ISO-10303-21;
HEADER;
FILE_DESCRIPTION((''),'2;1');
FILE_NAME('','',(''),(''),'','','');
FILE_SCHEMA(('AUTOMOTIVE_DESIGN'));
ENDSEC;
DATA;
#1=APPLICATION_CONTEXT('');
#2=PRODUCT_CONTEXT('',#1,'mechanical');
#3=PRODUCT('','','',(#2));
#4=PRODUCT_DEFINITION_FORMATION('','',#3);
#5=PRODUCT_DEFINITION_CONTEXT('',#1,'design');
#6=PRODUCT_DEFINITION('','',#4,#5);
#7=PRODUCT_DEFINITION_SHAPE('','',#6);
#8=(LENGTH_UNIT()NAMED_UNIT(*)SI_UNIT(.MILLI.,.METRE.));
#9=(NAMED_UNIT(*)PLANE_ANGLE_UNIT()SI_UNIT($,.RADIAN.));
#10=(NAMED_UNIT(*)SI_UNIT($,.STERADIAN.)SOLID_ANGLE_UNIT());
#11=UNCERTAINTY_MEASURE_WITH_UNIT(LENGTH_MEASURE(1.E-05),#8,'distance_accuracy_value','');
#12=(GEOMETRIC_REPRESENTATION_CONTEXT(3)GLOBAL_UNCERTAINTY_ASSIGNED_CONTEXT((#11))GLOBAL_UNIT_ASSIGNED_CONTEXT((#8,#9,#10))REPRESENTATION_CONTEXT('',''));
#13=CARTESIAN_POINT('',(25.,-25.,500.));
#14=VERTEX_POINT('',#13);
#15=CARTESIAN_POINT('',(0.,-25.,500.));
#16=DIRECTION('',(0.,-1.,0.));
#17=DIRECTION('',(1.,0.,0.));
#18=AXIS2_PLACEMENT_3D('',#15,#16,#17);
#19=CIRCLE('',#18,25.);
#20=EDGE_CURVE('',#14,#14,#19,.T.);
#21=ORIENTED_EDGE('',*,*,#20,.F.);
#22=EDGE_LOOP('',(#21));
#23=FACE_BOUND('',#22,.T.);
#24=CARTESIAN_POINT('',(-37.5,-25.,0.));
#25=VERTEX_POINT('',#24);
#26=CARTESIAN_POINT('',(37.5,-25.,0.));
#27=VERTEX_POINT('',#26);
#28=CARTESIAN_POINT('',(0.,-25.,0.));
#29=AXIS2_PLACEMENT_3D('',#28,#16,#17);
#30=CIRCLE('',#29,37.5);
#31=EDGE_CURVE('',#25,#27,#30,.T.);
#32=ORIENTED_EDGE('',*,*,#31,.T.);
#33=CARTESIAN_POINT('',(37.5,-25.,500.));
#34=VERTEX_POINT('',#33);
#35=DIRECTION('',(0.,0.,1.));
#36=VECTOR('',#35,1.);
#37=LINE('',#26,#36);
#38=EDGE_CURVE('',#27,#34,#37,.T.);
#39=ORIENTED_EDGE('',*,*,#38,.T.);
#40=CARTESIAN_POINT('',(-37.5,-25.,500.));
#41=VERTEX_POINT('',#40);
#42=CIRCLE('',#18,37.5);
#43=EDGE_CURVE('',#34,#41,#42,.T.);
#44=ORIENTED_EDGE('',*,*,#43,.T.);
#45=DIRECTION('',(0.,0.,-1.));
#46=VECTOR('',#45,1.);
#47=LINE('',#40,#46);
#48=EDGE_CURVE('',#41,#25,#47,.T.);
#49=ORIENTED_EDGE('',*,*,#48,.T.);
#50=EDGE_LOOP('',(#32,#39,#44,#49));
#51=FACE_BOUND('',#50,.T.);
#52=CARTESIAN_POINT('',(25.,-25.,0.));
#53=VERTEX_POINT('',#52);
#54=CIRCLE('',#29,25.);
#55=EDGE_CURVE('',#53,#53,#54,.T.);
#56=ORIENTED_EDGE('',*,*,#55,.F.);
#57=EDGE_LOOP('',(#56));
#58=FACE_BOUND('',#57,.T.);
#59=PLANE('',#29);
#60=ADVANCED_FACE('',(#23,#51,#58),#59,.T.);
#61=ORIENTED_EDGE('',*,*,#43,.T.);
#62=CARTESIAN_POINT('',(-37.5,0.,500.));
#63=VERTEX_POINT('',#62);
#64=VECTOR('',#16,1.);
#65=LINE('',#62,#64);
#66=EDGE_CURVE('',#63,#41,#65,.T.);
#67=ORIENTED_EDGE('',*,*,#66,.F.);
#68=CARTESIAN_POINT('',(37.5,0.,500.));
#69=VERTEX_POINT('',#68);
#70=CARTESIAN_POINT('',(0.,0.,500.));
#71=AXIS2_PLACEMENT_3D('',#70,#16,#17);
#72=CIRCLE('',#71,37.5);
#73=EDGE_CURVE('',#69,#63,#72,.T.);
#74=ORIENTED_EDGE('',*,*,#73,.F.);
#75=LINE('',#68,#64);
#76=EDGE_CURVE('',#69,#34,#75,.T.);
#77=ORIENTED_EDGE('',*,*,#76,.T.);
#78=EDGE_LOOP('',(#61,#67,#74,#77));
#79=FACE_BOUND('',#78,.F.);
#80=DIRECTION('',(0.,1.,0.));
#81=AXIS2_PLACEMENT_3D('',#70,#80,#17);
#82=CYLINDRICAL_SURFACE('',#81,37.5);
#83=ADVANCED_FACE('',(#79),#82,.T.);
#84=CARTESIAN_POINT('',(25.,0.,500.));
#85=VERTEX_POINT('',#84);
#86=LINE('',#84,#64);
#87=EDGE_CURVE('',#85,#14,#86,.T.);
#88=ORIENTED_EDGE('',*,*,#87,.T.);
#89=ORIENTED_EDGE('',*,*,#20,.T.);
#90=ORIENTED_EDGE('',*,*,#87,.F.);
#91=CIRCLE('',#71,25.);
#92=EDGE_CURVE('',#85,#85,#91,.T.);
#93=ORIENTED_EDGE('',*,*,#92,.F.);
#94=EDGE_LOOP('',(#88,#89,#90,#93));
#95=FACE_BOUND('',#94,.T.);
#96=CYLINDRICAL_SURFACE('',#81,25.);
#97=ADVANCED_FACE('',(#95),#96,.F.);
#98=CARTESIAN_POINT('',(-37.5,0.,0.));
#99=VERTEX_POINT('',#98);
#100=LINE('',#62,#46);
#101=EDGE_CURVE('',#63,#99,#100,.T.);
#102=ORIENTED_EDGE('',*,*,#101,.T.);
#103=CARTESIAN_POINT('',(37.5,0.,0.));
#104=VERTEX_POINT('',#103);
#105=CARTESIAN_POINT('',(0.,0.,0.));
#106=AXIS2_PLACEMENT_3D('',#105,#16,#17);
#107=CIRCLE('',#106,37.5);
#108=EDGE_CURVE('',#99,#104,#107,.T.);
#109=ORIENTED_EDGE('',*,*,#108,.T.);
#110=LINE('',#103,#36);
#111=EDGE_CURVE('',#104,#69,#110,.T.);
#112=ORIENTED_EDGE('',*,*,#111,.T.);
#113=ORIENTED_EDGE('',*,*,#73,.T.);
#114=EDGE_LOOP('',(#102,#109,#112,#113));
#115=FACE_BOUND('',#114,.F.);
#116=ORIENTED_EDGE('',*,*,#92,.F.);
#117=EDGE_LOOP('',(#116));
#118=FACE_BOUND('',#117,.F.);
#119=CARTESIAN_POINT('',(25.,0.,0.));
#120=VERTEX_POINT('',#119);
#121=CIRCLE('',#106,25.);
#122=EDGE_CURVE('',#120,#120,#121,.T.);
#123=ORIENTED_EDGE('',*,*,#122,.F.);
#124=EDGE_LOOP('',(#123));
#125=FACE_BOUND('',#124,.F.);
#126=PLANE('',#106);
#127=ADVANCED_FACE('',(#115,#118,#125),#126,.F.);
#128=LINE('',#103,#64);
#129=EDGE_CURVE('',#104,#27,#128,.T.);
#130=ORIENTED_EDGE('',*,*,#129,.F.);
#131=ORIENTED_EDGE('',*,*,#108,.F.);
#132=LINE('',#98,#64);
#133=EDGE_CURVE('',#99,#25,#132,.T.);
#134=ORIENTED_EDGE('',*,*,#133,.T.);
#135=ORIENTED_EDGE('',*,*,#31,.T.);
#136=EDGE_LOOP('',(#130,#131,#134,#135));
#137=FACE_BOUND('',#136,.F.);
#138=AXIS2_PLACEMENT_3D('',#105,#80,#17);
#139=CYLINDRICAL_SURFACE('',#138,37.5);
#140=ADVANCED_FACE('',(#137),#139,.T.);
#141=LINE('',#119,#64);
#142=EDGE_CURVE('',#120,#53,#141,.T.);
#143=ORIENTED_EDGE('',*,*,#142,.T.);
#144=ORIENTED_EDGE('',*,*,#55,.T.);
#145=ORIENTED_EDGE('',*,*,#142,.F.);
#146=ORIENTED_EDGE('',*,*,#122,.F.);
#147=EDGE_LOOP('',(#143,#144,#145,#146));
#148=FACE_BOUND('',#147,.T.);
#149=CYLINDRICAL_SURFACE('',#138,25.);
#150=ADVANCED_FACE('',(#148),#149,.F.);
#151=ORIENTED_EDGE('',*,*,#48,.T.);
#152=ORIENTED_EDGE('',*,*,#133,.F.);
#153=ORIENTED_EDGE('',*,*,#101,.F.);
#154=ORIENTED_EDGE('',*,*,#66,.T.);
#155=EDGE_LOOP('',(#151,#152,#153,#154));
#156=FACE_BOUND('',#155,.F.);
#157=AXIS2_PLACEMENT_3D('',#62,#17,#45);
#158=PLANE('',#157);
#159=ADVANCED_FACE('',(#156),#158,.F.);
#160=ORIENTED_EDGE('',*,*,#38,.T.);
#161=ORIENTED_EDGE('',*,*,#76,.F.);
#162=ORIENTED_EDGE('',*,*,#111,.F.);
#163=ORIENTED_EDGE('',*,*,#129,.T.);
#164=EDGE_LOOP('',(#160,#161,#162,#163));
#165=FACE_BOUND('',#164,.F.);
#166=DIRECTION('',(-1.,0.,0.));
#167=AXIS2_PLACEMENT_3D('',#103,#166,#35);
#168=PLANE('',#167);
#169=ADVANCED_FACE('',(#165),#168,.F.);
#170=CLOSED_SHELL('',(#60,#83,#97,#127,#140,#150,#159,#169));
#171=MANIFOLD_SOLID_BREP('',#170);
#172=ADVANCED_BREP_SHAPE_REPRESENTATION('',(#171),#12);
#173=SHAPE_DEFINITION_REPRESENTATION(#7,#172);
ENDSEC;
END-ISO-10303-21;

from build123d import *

# Parameters (mm, degrees)
F0_R     = 25
F1_DEPTH = 25


with BuildPart() as f1:
    # F0 (on Front) → F1 (new body)
    with BuildSketch(Plane.XZ):
        with BuildLine():
            ThreePointArc((-37.5, 0), (0, -37.5), (37.5, 0))
            ThreePointArc((37.5, 0), (0, 37.5), (-37.5, 0))
        make_face()
        Circle(F0_R, mode=Mode.SUBTRACT)
        with BuildLine():
            ThreePointArc((-37.5, 500), (0, 462.5), (37.5, 500))
            ThreePointArc((37.5, 500), (0, 537.5), (-37.5, 500))
        make_face()
        with Locations((0, 500)):
            Circle(F0_R, mode=Mode.SUBTRACT)
        with BuildLine():
            ThreePointArc((-37.5, 0), (0, 37.5), (37.5, 0))
            Line((37.5, 0), (37.5, 500))
            ThreePointArc((37.5, 500), (0, 462.5), (-37.5, 500))
            Line((-37.5, 500), (-37.5, 0))
        make_face()
    extrude(amount=F1_DEPTH)


solid = f1.part
